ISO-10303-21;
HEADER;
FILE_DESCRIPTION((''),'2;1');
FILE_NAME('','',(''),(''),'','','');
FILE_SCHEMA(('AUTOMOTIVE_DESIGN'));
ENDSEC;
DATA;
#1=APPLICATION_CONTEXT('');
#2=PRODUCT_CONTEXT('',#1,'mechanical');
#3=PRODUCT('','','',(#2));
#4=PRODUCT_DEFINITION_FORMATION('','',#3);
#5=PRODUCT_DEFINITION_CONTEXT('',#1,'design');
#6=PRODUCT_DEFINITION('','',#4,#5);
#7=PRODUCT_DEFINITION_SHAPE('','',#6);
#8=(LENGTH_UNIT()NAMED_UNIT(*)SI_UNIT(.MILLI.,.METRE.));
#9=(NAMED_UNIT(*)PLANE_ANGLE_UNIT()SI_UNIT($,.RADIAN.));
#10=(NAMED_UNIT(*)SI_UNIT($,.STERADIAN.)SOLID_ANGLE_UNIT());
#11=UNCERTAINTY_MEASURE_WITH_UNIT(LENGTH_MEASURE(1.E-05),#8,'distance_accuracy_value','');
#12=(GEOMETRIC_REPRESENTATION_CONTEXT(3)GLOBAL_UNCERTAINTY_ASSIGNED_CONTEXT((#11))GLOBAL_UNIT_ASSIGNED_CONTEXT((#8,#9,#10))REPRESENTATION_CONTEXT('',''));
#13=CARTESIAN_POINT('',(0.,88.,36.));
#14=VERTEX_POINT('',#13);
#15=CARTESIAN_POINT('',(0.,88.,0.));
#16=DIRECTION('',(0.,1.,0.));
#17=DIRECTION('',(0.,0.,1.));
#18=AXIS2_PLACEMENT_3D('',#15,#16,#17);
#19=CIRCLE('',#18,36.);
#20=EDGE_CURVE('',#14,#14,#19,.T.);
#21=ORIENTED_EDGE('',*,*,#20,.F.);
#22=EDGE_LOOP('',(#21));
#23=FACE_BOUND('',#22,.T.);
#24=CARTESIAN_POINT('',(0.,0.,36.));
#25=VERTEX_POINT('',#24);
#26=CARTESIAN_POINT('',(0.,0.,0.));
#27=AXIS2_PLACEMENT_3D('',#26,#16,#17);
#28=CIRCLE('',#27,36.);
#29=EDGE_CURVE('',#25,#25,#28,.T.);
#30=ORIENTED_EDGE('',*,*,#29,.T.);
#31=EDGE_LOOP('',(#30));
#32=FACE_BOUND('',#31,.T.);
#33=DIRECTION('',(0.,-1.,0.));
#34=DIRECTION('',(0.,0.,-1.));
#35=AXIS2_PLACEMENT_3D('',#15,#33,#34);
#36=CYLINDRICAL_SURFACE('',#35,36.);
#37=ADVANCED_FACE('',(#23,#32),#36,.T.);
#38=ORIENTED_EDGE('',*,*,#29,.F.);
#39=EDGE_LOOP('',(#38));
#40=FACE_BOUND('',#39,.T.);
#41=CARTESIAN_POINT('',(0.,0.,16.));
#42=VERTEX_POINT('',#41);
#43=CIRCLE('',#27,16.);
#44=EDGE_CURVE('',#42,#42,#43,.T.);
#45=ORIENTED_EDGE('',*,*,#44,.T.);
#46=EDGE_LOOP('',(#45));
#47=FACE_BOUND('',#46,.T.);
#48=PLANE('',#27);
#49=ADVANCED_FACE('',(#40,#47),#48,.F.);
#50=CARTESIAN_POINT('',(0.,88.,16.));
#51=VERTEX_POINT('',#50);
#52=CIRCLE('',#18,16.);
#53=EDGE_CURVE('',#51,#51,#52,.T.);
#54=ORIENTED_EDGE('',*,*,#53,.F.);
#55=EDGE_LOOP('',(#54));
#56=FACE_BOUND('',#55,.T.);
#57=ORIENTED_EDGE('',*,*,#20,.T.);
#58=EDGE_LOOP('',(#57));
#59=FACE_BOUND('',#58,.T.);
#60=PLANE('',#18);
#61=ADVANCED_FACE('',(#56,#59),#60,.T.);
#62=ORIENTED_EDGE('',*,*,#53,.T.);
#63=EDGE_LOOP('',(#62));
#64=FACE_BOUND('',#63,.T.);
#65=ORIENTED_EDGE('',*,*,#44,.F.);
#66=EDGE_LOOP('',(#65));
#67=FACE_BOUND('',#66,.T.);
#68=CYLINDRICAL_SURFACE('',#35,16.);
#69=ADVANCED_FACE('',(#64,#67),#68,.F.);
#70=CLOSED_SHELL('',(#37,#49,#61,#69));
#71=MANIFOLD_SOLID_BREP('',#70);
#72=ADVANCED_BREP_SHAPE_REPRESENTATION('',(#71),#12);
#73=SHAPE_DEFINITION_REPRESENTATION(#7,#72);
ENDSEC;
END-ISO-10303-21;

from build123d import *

# Parameters (mm, degrees)
SKETCH1_R           = 36
SKETCH1_R_2         = 16
BOSS_EXTRUDE1_DEPTH = 88


with BuildPart() as part:
    # Sketch1 → Boss-Extrude1 (new body)
    with BuildSketch(Plane(origin=(0, 0, 0), x_dir=(1, 0, 0), z_dir=(0, 1, 0))):
        Circle(SKETCH1_R)
        Circle(SKETCH1_R_2, mode=Mode.SUBTRACT)
    extrude(amount=BOSS_EXTRUDE1_DEPTH)


solid = part.part
